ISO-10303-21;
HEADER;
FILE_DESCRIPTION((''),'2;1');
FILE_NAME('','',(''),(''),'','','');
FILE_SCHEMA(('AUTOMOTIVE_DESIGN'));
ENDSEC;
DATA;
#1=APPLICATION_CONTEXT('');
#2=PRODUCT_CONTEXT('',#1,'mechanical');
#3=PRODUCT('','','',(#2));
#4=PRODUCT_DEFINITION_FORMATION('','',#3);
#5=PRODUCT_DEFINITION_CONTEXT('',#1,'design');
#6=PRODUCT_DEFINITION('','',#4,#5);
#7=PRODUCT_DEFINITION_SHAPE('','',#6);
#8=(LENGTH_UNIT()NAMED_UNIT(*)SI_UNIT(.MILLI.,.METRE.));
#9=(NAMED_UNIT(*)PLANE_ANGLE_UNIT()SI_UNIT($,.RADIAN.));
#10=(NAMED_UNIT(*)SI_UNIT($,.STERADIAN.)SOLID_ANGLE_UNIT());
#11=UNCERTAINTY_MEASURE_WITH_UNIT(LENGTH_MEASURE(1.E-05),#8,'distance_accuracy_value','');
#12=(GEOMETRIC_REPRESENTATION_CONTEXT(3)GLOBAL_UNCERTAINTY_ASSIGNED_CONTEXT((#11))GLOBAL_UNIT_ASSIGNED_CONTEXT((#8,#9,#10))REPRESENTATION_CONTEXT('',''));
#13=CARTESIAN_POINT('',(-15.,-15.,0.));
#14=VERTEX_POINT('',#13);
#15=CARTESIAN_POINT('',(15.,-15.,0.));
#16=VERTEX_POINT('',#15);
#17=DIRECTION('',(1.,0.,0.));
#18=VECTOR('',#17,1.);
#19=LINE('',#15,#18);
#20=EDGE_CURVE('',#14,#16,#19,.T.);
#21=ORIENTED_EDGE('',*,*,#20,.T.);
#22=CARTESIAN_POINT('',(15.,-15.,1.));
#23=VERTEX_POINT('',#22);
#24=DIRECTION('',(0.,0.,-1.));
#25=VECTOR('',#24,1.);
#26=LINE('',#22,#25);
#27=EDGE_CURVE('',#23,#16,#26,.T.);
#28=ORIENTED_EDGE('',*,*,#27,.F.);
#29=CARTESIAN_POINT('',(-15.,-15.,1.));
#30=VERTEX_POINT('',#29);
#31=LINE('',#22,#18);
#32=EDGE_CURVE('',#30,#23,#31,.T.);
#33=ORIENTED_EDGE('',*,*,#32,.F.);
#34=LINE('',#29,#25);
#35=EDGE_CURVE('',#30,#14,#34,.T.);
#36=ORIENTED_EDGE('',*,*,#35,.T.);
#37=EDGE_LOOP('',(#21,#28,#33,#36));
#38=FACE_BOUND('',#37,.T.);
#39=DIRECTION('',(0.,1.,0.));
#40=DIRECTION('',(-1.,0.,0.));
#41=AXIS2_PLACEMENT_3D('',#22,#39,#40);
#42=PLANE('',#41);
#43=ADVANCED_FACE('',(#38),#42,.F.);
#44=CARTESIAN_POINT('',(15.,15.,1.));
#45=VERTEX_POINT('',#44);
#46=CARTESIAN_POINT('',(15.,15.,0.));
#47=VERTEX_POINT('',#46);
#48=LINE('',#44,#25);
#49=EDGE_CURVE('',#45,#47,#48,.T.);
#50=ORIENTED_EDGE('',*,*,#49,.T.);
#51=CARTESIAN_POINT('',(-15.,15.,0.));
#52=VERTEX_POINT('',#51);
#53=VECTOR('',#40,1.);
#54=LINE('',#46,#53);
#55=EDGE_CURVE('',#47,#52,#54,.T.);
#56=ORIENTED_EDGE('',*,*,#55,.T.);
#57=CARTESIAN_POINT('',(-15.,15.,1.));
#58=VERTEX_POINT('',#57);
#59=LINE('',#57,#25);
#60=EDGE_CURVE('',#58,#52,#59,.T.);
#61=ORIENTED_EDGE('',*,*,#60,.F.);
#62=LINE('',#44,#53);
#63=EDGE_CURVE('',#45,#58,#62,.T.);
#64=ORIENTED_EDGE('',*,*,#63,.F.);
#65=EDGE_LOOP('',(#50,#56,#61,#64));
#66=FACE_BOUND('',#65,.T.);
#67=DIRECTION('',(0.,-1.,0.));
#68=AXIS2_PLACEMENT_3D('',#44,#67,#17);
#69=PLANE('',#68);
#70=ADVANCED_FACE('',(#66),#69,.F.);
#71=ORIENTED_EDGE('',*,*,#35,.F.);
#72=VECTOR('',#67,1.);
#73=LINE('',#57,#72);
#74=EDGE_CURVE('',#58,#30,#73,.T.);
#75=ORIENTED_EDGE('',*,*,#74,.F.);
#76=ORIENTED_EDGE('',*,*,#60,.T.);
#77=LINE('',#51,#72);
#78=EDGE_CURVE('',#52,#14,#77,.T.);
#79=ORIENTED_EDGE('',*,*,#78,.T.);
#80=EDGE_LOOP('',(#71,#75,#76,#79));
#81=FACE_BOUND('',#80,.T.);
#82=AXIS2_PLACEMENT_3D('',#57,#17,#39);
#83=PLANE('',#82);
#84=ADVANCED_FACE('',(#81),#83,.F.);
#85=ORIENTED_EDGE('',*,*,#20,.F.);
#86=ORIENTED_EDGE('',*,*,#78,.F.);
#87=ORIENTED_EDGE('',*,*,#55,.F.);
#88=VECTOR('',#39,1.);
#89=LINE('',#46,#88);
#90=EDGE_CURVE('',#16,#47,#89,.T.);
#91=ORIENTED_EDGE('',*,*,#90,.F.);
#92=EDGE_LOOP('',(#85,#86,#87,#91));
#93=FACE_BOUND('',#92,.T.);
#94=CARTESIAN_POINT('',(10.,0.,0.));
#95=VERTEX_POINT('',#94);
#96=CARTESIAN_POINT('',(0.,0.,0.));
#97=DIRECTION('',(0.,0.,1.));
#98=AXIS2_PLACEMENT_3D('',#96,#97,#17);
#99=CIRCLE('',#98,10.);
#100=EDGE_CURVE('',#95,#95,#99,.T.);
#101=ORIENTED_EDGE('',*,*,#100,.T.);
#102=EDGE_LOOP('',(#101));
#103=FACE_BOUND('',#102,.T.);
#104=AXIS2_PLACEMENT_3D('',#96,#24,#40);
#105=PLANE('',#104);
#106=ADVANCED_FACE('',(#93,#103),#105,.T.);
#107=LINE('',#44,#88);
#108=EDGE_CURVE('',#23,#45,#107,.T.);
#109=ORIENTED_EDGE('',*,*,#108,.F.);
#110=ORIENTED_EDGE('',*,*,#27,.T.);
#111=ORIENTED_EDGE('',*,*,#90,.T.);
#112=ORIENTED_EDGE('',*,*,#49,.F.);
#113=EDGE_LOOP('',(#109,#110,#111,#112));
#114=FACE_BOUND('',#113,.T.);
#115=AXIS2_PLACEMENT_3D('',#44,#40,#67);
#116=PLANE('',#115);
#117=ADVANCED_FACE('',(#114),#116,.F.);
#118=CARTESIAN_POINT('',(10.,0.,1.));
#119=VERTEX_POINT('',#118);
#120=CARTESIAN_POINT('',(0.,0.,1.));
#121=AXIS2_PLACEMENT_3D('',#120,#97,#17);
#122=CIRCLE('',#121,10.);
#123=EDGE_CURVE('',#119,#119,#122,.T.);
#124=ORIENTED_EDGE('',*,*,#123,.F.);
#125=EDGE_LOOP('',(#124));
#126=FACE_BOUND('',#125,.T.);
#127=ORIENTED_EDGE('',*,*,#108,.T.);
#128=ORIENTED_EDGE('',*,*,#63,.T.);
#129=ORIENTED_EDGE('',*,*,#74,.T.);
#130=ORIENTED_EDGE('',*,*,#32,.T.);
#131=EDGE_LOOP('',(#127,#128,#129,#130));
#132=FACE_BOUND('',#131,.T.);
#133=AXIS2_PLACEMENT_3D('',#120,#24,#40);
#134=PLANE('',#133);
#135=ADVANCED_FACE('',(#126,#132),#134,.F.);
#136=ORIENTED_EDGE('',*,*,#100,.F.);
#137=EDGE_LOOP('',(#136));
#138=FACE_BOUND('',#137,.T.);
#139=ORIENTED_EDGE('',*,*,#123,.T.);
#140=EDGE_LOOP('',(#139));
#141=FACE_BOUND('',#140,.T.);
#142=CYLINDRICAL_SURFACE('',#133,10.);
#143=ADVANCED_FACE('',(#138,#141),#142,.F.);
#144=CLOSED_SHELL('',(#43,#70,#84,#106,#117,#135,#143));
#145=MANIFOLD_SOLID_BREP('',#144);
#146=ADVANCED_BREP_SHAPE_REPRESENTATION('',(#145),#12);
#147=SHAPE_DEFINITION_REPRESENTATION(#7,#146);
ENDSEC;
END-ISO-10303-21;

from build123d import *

# Parameters (mm, degrees)
SKETCH1_W           = 30
SKETCH1_H           = 30
SKETCH1_R           = 10
BOSS_EXTRUDE1_DEPTH = 1


with BuildPart() as part:
    # Sketch1 → Boss-Extrude1 (new body)
    with BuildSketch(Plane.XY):
        Rectangle(SKETCH1_W, SKETCH1_H)
        Circle(SKETCH1_R, mode=Mode.SUBTRACT)
    extrude(amount=BOSS_EXTRUDE1_DEPTH)


solid = part.part
